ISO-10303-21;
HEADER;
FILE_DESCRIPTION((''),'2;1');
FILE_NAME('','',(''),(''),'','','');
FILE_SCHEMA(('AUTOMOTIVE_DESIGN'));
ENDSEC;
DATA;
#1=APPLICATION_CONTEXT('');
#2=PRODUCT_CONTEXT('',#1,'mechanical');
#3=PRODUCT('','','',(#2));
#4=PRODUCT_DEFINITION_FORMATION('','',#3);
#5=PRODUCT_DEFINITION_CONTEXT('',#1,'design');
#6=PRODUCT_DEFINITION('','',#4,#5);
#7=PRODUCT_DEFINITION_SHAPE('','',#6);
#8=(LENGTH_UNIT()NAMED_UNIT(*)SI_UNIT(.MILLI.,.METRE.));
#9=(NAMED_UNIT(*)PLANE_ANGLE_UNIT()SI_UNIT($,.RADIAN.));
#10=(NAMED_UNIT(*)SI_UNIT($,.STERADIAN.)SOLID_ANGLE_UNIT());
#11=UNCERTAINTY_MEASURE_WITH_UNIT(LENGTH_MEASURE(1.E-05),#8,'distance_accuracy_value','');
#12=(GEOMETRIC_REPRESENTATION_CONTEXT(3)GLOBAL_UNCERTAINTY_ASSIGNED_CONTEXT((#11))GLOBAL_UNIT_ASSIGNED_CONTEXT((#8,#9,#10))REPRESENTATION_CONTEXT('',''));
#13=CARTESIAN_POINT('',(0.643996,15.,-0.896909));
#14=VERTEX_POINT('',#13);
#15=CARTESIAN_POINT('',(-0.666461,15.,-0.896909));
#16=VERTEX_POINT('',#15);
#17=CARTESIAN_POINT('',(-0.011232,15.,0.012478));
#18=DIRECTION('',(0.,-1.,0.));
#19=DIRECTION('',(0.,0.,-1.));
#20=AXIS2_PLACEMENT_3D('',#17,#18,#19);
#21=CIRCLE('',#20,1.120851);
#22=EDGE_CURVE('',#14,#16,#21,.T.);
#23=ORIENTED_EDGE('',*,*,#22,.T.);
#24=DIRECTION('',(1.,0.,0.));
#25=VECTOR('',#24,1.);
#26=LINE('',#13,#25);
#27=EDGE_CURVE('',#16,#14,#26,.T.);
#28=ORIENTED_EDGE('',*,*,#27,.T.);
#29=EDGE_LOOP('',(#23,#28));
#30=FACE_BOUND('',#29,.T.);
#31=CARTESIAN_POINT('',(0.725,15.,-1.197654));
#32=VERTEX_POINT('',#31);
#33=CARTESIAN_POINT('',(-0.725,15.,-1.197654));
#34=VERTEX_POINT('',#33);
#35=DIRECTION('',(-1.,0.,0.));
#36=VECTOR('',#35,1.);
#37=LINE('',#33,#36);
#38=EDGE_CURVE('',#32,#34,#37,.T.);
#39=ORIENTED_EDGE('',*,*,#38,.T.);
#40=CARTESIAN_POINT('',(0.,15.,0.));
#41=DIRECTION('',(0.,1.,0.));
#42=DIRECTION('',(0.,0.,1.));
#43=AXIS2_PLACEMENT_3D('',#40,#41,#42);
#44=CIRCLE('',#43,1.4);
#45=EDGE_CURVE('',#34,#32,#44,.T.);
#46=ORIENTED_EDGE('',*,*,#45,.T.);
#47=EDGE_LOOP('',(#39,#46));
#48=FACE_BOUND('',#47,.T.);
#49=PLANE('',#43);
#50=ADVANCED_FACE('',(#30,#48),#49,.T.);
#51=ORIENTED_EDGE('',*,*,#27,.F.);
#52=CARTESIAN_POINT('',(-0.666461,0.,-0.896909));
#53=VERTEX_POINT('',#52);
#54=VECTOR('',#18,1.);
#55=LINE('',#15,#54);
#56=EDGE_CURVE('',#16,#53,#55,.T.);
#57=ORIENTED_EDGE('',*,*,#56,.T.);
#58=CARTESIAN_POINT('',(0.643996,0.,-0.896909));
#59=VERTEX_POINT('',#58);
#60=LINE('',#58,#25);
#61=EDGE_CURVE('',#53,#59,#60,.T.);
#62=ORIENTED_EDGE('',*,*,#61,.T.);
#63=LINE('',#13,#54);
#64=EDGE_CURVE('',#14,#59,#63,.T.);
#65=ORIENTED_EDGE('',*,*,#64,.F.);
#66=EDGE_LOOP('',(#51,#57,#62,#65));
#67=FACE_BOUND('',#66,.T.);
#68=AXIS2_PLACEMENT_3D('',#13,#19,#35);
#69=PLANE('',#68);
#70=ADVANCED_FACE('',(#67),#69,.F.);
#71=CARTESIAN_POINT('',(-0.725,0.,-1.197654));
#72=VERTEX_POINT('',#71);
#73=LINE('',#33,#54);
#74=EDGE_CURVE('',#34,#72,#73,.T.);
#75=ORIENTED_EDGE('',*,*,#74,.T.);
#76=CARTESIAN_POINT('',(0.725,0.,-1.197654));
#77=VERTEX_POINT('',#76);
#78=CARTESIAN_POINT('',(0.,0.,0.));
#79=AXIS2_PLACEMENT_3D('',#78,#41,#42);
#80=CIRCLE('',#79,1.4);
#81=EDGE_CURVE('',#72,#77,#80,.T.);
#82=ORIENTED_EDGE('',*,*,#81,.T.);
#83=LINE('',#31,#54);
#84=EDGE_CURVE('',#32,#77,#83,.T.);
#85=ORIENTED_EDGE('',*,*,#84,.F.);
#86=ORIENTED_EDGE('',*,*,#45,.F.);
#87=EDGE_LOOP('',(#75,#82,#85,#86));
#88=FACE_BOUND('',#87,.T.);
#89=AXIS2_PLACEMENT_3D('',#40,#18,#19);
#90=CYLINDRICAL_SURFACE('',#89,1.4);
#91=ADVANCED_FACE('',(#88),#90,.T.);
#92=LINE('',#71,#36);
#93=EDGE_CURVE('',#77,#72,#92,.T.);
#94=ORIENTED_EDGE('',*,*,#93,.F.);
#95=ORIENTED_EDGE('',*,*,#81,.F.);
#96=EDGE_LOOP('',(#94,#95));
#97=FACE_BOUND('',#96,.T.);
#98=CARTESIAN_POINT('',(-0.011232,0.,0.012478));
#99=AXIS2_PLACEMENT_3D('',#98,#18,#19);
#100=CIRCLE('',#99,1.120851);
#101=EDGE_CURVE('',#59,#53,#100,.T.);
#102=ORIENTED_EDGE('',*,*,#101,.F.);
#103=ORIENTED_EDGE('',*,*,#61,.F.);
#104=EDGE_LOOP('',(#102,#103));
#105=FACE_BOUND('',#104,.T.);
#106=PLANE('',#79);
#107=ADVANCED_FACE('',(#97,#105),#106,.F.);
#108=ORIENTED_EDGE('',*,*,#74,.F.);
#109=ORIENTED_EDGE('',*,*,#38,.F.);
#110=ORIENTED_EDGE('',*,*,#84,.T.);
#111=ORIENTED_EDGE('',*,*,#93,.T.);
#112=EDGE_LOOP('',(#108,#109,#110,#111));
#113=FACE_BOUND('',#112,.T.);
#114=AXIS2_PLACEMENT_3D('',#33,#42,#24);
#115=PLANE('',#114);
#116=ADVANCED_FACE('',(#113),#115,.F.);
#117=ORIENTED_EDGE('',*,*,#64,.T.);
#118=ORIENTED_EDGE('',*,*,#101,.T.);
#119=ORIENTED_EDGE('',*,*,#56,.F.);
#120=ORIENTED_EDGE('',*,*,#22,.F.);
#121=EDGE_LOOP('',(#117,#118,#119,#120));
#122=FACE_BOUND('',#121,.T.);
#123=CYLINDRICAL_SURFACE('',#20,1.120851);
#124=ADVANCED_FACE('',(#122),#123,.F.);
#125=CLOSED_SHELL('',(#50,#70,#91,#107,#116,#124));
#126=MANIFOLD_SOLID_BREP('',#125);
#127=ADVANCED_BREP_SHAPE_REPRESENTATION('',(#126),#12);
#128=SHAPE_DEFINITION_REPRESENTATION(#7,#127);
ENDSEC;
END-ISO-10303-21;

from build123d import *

# Parameters (mm, degrees)
BOSS_EXTRUDE1_DEPTH = 15
CUT_EXTRUDE1_DEPTH  = 16


with BuildPart() as part:
    # Sketch1 → Boss-Extrude1 (new body)
    with BuildSketch(Plane(origin=(0, 0, 0), x_dir=(1, 0, 0), z_dir=(0, 1, 0))):
        with BuildLine():
            Line((-0.725, 1.197653957), (0.725, 1.197653957))
            ThreePointArc((0.725, 1.197653957), (0, -1.4), (-0.725, 1.197653957))
        make_face()
    extrude(amount=BOSS_EXTRUDE1_DEPTH)

    # Sketch2 → Cut-Extrude1 (cut, through all)
    with BuildSketch(Plane.XZ):
        with BuildLine():
            Line((0.643996161, -0.896908605), (-0.666461143, -0.896908605))
            ThreePointArc((-0.666461143, -0.896908605), (-0.011232491, 1.133329018), (0.643996161, -0.896908605))
        make_face()
    extrude(amount=-CUT_EXTRUDE1_DEPTH, mode=Mode.SUBTRACT)


solid = part.part
